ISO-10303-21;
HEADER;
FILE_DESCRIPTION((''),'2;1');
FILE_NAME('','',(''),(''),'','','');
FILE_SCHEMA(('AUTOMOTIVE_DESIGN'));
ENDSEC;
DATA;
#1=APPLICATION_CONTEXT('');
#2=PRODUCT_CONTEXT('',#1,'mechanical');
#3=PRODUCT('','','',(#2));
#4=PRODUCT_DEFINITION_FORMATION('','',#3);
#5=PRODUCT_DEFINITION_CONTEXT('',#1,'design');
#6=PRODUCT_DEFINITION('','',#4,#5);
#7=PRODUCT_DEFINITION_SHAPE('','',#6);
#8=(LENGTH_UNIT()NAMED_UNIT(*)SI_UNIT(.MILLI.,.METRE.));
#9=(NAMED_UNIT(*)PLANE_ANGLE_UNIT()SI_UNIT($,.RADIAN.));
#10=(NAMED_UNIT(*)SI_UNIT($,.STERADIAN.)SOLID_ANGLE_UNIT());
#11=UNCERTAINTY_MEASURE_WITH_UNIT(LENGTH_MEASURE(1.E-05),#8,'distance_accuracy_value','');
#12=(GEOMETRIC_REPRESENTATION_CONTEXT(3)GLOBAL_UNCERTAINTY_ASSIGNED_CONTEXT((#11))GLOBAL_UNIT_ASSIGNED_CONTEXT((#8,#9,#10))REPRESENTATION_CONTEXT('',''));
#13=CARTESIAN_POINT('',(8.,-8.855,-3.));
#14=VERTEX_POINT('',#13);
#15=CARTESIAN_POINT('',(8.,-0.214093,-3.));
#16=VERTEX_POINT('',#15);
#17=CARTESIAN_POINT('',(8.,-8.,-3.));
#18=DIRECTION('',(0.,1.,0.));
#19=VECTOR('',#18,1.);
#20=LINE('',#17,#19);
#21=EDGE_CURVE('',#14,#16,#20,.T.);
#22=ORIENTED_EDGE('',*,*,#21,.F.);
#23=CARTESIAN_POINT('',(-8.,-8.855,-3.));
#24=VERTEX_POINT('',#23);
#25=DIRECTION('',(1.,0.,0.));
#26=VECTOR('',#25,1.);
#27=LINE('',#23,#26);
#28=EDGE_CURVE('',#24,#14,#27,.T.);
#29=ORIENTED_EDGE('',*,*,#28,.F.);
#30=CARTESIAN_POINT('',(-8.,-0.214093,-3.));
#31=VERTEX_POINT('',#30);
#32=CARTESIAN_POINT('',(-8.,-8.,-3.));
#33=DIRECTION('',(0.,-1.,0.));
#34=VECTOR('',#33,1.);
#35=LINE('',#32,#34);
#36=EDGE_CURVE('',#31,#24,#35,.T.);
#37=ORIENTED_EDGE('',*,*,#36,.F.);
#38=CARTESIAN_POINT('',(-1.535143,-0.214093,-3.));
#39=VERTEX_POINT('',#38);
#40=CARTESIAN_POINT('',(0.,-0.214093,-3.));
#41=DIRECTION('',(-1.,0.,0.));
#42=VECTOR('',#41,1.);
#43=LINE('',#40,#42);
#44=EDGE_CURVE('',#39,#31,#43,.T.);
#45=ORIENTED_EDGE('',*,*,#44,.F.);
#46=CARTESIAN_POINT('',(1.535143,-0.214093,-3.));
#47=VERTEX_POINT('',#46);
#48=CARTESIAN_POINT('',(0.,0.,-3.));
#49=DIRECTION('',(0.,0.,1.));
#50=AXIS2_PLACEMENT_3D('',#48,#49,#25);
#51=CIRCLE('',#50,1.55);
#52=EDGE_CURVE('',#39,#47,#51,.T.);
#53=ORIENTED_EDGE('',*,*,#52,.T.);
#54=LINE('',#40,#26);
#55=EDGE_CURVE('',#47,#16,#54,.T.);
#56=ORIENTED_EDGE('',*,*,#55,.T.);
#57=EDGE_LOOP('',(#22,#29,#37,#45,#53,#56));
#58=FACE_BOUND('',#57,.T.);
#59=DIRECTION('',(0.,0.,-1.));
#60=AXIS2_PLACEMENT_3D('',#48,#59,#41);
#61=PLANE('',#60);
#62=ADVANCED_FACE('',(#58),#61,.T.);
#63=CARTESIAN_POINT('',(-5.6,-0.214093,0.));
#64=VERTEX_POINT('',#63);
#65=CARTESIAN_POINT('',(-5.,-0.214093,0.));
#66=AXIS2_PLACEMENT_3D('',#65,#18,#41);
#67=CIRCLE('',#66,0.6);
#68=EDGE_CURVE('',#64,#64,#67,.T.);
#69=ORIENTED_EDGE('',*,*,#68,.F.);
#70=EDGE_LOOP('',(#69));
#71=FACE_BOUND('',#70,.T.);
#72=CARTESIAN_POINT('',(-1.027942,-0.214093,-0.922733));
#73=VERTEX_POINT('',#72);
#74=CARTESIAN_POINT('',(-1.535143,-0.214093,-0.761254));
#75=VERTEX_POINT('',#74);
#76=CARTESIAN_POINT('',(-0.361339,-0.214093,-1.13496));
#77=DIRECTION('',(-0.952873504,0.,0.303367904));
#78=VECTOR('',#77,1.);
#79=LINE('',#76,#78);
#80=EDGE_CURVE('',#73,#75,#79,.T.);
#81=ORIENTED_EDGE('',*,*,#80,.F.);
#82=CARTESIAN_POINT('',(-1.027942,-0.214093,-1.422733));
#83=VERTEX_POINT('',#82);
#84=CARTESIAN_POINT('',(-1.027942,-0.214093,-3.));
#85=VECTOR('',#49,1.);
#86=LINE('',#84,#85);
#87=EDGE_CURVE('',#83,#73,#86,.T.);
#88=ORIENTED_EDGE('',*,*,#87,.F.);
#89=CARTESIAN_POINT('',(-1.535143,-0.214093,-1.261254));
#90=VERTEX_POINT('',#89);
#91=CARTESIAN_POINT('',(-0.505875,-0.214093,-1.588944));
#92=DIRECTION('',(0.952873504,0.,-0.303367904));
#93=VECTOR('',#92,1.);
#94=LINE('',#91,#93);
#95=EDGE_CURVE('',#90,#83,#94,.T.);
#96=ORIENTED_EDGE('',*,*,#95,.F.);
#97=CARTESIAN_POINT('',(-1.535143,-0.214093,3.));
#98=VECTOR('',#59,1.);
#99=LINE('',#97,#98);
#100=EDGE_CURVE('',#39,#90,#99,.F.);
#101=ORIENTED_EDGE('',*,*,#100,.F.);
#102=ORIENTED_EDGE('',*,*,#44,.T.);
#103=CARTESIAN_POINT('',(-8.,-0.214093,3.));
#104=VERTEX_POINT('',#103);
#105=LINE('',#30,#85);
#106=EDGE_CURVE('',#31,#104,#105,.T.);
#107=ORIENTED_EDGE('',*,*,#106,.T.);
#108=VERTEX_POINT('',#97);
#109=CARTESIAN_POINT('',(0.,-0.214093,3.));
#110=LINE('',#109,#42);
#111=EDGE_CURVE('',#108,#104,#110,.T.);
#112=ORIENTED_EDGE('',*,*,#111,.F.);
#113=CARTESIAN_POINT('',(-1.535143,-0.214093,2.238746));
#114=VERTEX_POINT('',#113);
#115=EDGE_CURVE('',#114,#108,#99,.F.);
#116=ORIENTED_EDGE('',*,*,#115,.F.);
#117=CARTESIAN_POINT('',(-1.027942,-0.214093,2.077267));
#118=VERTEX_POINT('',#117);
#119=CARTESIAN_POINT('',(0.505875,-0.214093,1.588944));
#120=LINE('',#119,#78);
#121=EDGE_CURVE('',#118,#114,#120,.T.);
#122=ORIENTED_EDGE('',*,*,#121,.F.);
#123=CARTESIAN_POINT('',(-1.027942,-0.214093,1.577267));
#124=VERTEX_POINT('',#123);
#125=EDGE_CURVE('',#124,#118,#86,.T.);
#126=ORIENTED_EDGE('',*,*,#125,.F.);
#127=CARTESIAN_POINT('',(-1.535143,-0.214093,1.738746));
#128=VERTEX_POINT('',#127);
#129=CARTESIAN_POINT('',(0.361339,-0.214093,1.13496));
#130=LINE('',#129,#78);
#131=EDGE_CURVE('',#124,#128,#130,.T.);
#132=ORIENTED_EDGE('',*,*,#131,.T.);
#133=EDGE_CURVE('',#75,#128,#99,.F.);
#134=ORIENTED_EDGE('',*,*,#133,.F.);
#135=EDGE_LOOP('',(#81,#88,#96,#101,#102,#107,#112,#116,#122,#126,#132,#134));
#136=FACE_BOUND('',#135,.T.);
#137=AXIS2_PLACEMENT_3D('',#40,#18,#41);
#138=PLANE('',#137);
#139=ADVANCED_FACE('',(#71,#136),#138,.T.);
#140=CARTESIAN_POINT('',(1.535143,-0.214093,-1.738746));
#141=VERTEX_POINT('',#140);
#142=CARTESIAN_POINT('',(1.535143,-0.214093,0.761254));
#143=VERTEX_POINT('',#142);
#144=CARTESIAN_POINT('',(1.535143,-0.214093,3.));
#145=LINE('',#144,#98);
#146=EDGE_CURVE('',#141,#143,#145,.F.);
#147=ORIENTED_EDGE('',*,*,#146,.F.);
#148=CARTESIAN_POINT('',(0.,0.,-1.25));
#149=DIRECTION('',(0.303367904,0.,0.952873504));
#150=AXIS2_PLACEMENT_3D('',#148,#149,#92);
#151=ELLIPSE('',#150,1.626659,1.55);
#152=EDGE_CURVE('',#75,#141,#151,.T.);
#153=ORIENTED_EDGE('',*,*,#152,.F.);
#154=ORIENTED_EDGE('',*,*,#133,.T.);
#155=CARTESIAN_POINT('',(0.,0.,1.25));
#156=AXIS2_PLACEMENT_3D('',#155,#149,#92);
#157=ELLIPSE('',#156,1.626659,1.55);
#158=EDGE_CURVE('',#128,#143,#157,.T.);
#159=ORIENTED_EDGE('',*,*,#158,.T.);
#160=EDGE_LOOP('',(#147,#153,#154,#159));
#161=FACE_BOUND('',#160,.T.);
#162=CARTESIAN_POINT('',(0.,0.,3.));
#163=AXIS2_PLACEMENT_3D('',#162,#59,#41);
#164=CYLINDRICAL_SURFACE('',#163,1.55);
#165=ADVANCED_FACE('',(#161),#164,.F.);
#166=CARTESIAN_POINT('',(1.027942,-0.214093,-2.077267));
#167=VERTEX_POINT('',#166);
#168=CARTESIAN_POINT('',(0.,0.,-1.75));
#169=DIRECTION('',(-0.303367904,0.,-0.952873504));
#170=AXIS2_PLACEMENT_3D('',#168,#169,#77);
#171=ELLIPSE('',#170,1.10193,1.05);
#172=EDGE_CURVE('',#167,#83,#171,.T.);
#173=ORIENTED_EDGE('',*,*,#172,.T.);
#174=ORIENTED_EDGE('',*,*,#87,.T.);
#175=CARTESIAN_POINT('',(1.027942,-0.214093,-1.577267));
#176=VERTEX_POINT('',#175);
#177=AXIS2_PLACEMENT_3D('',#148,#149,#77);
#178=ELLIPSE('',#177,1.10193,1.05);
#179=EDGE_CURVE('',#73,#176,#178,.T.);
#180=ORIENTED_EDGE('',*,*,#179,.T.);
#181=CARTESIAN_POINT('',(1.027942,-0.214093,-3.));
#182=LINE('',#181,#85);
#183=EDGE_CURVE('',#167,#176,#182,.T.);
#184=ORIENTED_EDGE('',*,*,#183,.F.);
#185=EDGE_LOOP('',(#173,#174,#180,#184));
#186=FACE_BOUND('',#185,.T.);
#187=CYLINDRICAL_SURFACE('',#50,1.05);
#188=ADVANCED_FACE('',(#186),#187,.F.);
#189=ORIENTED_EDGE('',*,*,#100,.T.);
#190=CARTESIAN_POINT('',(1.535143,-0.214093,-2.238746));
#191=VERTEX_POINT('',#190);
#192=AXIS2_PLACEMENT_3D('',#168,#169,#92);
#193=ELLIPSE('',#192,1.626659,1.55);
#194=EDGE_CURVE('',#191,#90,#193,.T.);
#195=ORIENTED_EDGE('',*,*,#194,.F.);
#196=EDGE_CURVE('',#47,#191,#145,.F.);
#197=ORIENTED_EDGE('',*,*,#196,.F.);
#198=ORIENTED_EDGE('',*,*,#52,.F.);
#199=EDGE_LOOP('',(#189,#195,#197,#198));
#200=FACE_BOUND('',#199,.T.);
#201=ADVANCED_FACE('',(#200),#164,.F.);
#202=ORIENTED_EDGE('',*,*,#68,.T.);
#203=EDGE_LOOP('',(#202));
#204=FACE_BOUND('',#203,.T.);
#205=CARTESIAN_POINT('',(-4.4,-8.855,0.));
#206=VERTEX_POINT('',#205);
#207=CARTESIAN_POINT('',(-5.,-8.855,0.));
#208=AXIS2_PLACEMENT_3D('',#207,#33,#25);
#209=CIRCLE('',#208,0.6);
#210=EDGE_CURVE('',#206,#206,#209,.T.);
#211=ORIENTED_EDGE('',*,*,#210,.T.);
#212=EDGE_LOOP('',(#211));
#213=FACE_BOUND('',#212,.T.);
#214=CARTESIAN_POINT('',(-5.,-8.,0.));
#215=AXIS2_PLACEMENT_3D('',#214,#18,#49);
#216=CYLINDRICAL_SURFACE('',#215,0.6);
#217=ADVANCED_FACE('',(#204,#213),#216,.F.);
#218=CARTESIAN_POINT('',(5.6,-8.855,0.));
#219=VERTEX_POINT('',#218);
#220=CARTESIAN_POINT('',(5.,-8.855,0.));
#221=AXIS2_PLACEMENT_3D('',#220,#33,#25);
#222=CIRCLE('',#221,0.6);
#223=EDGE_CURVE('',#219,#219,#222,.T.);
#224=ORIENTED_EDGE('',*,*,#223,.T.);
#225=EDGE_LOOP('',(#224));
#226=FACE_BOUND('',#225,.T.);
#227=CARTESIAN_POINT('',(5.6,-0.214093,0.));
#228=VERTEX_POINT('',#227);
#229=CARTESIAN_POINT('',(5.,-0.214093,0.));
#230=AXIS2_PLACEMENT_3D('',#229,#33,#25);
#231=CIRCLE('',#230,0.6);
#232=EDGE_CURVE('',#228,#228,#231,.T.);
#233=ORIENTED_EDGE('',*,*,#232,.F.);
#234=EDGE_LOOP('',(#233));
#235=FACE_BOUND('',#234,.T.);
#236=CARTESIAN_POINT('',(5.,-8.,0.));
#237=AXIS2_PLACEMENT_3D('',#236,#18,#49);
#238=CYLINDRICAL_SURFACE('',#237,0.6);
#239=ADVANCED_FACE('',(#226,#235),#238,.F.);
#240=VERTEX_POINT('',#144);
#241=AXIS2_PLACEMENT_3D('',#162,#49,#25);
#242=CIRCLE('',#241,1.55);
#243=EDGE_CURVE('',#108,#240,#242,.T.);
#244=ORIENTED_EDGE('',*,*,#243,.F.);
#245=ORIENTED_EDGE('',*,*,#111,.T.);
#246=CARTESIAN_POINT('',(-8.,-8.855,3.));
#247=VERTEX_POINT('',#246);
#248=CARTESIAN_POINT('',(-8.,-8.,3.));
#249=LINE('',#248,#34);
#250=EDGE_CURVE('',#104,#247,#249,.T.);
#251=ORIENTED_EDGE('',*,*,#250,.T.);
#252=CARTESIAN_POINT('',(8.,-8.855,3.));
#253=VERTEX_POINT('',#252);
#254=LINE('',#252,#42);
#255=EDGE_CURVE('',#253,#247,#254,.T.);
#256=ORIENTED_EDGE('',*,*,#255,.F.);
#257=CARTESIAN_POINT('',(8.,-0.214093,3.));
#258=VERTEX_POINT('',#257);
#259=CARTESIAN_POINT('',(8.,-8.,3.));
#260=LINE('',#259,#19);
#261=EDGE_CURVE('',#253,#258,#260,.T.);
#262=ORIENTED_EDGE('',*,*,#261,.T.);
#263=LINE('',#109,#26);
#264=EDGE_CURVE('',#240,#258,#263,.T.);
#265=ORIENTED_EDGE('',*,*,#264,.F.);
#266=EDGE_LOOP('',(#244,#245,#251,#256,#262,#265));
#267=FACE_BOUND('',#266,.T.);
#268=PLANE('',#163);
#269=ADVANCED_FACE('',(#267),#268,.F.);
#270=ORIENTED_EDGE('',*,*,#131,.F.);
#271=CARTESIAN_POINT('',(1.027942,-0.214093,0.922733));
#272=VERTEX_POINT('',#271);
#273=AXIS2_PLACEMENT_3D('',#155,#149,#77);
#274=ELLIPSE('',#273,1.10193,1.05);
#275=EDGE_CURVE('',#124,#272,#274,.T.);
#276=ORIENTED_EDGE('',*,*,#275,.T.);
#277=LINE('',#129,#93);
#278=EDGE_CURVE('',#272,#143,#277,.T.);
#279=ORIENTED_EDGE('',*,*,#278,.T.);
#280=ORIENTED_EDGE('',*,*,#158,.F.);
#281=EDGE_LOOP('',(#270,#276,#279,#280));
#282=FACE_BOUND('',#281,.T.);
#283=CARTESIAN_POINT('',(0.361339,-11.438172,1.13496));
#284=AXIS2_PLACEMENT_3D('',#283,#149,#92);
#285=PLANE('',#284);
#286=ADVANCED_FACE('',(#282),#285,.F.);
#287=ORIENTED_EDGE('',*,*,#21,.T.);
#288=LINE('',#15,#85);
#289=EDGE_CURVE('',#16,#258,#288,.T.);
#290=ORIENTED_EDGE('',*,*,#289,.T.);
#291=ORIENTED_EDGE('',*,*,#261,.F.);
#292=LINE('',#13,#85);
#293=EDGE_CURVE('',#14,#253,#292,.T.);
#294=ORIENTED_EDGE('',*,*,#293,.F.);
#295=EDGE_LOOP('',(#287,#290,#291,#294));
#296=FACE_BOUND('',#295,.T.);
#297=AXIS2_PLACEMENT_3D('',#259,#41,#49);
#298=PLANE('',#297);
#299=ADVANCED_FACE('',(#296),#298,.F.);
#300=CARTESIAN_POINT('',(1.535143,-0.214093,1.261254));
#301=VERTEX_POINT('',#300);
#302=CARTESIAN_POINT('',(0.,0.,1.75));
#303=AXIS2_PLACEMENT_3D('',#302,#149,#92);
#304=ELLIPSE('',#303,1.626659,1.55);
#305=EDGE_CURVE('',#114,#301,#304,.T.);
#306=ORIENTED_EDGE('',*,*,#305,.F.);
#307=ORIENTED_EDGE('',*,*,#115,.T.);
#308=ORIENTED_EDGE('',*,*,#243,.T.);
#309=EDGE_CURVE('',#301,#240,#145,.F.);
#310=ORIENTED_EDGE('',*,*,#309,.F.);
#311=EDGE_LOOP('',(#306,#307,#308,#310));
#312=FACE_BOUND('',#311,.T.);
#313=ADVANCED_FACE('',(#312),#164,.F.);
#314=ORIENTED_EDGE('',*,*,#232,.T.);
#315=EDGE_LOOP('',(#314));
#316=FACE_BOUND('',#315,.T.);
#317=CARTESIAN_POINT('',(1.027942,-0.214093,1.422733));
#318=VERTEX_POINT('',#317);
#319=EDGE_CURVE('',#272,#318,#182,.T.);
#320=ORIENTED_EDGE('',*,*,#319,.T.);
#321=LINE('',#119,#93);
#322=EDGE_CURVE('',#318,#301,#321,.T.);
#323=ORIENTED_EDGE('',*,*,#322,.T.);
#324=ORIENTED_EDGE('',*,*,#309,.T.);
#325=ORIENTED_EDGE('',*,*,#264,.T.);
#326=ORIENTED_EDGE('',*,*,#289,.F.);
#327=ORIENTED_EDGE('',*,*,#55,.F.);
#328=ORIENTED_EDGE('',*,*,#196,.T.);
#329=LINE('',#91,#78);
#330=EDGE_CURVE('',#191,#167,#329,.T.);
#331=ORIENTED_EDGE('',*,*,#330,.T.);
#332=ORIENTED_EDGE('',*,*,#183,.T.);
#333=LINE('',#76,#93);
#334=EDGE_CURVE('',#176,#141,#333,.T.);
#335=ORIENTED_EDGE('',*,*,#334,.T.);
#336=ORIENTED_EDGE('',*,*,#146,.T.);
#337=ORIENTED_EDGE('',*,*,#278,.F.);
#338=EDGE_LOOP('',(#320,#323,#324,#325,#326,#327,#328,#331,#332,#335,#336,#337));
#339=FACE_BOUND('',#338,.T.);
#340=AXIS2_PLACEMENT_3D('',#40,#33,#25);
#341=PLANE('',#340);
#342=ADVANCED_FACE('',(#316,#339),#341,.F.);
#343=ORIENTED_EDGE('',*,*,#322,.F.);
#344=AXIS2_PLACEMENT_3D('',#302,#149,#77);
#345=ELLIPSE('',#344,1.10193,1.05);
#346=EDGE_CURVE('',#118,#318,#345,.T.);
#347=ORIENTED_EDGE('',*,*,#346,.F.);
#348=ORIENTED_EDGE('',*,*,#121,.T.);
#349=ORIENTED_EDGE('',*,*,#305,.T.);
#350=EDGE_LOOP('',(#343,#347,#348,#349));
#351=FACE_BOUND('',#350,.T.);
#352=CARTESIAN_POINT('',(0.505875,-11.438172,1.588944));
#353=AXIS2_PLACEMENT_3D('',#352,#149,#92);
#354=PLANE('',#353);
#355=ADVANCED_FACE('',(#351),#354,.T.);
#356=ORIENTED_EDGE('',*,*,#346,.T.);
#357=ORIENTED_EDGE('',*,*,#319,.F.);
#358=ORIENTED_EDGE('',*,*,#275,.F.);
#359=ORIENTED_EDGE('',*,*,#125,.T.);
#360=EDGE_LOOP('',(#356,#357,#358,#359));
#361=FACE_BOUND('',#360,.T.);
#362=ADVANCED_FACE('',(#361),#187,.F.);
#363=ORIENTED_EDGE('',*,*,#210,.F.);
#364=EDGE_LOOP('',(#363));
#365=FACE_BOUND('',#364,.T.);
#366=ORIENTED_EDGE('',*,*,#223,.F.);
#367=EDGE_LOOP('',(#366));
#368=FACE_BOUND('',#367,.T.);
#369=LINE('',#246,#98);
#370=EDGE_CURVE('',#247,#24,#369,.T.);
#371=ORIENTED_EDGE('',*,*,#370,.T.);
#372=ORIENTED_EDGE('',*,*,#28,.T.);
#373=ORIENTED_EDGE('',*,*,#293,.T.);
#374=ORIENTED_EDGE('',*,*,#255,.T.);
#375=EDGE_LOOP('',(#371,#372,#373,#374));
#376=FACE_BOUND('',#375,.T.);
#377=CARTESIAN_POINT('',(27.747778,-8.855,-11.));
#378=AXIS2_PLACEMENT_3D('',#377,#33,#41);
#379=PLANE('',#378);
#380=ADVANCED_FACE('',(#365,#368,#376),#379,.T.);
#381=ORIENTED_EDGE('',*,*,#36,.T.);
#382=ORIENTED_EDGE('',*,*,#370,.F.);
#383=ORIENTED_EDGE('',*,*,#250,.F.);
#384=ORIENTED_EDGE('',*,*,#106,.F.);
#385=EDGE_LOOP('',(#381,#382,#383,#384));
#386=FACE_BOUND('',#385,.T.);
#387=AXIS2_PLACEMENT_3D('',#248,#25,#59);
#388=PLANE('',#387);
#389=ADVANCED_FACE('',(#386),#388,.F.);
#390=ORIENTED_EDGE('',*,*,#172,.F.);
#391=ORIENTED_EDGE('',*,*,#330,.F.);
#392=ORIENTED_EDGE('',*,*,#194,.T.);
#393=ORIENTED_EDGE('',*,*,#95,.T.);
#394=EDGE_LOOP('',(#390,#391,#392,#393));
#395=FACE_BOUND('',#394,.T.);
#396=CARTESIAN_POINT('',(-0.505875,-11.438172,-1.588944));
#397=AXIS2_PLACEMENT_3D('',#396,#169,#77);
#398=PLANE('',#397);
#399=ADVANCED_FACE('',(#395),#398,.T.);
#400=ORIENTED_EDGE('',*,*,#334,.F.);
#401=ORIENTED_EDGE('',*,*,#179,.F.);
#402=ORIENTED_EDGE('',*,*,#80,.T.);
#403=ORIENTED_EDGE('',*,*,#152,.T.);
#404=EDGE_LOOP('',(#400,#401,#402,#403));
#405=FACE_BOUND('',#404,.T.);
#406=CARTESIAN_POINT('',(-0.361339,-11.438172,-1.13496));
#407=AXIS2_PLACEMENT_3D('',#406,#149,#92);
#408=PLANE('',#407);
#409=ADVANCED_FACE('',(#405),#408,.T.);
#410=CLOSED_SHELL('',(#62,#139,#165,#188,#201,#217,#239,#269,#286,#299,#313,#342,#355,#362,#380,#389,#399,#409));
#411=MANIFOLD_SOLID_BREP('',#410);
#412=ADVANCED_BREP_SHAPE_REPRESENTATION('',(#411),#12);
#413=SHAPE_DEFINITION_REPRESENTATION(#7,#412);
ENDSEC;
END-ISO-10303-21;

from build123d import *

# Parameters (mm, degrees)
SKETCH_1_W               = 16
SKETCH_1_H               = 16
SKETCH_1_R               = 1.55
EXTRUDE_1_DEPTH          = 3
EXTRUDE_2_DEPTH          = 8
CUT_EXTRUDE_2_DEPTH      = 12.704699911
CUT_EXTRUDE_2_DEPTH_BACK = 12.704699911
SKETCH_8_R               = 0.6
CUT_EXTRUDE_3_DEPTH      = 12.704699911
SKETCH_9_W               = 16
SKETCH_9_H               = 6
SKETCH_9_R               = 0.6
EXTRUDE_3_DEPTH          = 0.855


with BuildPart() as part:
    # 草图1 → 凸台-拉伸1 (new, symmetric)
    with BuildSketch(Plane.XY):
        Rectangle(SKETCH_1_W, SKETCH_1_H)
        Circle(SKETCH_1_R, mode=Mode.SUBTRACT)
    extrude(amount=EXTRUDE_1_DEPTH, both=True)

    # 草图6 → 凸台-拉伸2 (add)
    with BuildSketch(Plane(origin=(0, 0, 0), x_dir=(1, 0, 0), z_dir=(0, 1, 0))):
        Polygon((-1.55, -1.743476048), (-1.55, -2.243476048), (1.55, -1.256523952), (1.55, -0.756523952), align=None)
        Polygon((-1.55, 1.256523952), (-1.55, 0.756523952), (1.55, 1.743476048), (1.55, 2.243476048), align=None)
    extrude(amount=-EXTRUDE_2_DEPTH)

    # 草图7 → 切除-拉伸2 (cut, two sides: drawn at the far end of the back side and taken through both)
    with BuildSketch(Plane.XY.offset(-CUT_EXTRUDE_2_DEPTH_BACK)):
        with BuildLine():
            Line((-8, -0.214092961), (-1.027941732, -0.214092961))
            ThreePointArc((-1.027941732, -0.214092961), (-0.107613153, 1.044470875), (1.05, 0))
            ThreePointArc((1.05, 0), (1.044470875, -0.107613153), (1.027941732, -0.214092961))
            Line((1.027941732, -0.214092961), (8, -0.214092961))
            Line((8, -0.214092961), (8, 8))
            Line((8, 8), (-8, 8))
            Line((-8, 8), (-8, -0.214092961))
        make_face()
        with BuildLine():
            Line((1.027941732, -0.214092961), (0, 0))
            Line((0, 0), (-1.027941732, -0.214092961))
            ThreePointArc((-1.027941732, -0.214092961), (0, -1.05), (1.027941732, -0.214092961))
        make_face()
        with BuildLine():
            Line((-1.027941732, -0.214092961), (0, 0))
            Line((0, 0), (1.027941732, -0.214092961))
            ThreePointArc((1.027941732, -0.214092961), (1.044470875, -0.107613153), (1.05, 0))
            ThreePointArc((1.05, 0), (-0.107613153, 1.044470875), (-1.027941732, -0.214092961))
        make_face()
    extrude(amount=CUT_EXTRUDE_2_DEPTH + CUT_EXTRUDE_2_DEPTH_BACK, mode=Mode.SUBTRACT)

    # 草图8 → 切除-拉伸3 (cut, through all)
    with BuildSketch(Plane(origin=(0, 0, 0), x_dir=(1, 0, 0), z_dir=(0, 1, 0))):
        with Locations(Location((-5, 0, 0), (0, 0, 270))):
            Circle(SKETCH_8_R)
        with Locations(Location((5, 0, 0), (0, 0, 270))):
            Circle(SKETCH_8_R)
    extrude(amount=-CUT_EXTRUDE_3_DEPTH, mode=Mode.SUBTRACT)

    # 草图9 → 凸台-拉伸3 (add)
    with BuildSketch(Plane.XZ.offset(8)):
        Rectangle(SKETCH_9_W, SKETCH_9_H)
        with Locations(Location((-5, 0, 0), (0, 0, 180))):
            Circle(SKETCH_9_R, mode=Mode.SUBTRACT)
        with Locations((5, 0)):
            Circle(SKETCH_9_R, mode=Mode.SUBTRACT)
    extrude(amount=EXTRUDE_3_DEPTH)


solid = part.part
